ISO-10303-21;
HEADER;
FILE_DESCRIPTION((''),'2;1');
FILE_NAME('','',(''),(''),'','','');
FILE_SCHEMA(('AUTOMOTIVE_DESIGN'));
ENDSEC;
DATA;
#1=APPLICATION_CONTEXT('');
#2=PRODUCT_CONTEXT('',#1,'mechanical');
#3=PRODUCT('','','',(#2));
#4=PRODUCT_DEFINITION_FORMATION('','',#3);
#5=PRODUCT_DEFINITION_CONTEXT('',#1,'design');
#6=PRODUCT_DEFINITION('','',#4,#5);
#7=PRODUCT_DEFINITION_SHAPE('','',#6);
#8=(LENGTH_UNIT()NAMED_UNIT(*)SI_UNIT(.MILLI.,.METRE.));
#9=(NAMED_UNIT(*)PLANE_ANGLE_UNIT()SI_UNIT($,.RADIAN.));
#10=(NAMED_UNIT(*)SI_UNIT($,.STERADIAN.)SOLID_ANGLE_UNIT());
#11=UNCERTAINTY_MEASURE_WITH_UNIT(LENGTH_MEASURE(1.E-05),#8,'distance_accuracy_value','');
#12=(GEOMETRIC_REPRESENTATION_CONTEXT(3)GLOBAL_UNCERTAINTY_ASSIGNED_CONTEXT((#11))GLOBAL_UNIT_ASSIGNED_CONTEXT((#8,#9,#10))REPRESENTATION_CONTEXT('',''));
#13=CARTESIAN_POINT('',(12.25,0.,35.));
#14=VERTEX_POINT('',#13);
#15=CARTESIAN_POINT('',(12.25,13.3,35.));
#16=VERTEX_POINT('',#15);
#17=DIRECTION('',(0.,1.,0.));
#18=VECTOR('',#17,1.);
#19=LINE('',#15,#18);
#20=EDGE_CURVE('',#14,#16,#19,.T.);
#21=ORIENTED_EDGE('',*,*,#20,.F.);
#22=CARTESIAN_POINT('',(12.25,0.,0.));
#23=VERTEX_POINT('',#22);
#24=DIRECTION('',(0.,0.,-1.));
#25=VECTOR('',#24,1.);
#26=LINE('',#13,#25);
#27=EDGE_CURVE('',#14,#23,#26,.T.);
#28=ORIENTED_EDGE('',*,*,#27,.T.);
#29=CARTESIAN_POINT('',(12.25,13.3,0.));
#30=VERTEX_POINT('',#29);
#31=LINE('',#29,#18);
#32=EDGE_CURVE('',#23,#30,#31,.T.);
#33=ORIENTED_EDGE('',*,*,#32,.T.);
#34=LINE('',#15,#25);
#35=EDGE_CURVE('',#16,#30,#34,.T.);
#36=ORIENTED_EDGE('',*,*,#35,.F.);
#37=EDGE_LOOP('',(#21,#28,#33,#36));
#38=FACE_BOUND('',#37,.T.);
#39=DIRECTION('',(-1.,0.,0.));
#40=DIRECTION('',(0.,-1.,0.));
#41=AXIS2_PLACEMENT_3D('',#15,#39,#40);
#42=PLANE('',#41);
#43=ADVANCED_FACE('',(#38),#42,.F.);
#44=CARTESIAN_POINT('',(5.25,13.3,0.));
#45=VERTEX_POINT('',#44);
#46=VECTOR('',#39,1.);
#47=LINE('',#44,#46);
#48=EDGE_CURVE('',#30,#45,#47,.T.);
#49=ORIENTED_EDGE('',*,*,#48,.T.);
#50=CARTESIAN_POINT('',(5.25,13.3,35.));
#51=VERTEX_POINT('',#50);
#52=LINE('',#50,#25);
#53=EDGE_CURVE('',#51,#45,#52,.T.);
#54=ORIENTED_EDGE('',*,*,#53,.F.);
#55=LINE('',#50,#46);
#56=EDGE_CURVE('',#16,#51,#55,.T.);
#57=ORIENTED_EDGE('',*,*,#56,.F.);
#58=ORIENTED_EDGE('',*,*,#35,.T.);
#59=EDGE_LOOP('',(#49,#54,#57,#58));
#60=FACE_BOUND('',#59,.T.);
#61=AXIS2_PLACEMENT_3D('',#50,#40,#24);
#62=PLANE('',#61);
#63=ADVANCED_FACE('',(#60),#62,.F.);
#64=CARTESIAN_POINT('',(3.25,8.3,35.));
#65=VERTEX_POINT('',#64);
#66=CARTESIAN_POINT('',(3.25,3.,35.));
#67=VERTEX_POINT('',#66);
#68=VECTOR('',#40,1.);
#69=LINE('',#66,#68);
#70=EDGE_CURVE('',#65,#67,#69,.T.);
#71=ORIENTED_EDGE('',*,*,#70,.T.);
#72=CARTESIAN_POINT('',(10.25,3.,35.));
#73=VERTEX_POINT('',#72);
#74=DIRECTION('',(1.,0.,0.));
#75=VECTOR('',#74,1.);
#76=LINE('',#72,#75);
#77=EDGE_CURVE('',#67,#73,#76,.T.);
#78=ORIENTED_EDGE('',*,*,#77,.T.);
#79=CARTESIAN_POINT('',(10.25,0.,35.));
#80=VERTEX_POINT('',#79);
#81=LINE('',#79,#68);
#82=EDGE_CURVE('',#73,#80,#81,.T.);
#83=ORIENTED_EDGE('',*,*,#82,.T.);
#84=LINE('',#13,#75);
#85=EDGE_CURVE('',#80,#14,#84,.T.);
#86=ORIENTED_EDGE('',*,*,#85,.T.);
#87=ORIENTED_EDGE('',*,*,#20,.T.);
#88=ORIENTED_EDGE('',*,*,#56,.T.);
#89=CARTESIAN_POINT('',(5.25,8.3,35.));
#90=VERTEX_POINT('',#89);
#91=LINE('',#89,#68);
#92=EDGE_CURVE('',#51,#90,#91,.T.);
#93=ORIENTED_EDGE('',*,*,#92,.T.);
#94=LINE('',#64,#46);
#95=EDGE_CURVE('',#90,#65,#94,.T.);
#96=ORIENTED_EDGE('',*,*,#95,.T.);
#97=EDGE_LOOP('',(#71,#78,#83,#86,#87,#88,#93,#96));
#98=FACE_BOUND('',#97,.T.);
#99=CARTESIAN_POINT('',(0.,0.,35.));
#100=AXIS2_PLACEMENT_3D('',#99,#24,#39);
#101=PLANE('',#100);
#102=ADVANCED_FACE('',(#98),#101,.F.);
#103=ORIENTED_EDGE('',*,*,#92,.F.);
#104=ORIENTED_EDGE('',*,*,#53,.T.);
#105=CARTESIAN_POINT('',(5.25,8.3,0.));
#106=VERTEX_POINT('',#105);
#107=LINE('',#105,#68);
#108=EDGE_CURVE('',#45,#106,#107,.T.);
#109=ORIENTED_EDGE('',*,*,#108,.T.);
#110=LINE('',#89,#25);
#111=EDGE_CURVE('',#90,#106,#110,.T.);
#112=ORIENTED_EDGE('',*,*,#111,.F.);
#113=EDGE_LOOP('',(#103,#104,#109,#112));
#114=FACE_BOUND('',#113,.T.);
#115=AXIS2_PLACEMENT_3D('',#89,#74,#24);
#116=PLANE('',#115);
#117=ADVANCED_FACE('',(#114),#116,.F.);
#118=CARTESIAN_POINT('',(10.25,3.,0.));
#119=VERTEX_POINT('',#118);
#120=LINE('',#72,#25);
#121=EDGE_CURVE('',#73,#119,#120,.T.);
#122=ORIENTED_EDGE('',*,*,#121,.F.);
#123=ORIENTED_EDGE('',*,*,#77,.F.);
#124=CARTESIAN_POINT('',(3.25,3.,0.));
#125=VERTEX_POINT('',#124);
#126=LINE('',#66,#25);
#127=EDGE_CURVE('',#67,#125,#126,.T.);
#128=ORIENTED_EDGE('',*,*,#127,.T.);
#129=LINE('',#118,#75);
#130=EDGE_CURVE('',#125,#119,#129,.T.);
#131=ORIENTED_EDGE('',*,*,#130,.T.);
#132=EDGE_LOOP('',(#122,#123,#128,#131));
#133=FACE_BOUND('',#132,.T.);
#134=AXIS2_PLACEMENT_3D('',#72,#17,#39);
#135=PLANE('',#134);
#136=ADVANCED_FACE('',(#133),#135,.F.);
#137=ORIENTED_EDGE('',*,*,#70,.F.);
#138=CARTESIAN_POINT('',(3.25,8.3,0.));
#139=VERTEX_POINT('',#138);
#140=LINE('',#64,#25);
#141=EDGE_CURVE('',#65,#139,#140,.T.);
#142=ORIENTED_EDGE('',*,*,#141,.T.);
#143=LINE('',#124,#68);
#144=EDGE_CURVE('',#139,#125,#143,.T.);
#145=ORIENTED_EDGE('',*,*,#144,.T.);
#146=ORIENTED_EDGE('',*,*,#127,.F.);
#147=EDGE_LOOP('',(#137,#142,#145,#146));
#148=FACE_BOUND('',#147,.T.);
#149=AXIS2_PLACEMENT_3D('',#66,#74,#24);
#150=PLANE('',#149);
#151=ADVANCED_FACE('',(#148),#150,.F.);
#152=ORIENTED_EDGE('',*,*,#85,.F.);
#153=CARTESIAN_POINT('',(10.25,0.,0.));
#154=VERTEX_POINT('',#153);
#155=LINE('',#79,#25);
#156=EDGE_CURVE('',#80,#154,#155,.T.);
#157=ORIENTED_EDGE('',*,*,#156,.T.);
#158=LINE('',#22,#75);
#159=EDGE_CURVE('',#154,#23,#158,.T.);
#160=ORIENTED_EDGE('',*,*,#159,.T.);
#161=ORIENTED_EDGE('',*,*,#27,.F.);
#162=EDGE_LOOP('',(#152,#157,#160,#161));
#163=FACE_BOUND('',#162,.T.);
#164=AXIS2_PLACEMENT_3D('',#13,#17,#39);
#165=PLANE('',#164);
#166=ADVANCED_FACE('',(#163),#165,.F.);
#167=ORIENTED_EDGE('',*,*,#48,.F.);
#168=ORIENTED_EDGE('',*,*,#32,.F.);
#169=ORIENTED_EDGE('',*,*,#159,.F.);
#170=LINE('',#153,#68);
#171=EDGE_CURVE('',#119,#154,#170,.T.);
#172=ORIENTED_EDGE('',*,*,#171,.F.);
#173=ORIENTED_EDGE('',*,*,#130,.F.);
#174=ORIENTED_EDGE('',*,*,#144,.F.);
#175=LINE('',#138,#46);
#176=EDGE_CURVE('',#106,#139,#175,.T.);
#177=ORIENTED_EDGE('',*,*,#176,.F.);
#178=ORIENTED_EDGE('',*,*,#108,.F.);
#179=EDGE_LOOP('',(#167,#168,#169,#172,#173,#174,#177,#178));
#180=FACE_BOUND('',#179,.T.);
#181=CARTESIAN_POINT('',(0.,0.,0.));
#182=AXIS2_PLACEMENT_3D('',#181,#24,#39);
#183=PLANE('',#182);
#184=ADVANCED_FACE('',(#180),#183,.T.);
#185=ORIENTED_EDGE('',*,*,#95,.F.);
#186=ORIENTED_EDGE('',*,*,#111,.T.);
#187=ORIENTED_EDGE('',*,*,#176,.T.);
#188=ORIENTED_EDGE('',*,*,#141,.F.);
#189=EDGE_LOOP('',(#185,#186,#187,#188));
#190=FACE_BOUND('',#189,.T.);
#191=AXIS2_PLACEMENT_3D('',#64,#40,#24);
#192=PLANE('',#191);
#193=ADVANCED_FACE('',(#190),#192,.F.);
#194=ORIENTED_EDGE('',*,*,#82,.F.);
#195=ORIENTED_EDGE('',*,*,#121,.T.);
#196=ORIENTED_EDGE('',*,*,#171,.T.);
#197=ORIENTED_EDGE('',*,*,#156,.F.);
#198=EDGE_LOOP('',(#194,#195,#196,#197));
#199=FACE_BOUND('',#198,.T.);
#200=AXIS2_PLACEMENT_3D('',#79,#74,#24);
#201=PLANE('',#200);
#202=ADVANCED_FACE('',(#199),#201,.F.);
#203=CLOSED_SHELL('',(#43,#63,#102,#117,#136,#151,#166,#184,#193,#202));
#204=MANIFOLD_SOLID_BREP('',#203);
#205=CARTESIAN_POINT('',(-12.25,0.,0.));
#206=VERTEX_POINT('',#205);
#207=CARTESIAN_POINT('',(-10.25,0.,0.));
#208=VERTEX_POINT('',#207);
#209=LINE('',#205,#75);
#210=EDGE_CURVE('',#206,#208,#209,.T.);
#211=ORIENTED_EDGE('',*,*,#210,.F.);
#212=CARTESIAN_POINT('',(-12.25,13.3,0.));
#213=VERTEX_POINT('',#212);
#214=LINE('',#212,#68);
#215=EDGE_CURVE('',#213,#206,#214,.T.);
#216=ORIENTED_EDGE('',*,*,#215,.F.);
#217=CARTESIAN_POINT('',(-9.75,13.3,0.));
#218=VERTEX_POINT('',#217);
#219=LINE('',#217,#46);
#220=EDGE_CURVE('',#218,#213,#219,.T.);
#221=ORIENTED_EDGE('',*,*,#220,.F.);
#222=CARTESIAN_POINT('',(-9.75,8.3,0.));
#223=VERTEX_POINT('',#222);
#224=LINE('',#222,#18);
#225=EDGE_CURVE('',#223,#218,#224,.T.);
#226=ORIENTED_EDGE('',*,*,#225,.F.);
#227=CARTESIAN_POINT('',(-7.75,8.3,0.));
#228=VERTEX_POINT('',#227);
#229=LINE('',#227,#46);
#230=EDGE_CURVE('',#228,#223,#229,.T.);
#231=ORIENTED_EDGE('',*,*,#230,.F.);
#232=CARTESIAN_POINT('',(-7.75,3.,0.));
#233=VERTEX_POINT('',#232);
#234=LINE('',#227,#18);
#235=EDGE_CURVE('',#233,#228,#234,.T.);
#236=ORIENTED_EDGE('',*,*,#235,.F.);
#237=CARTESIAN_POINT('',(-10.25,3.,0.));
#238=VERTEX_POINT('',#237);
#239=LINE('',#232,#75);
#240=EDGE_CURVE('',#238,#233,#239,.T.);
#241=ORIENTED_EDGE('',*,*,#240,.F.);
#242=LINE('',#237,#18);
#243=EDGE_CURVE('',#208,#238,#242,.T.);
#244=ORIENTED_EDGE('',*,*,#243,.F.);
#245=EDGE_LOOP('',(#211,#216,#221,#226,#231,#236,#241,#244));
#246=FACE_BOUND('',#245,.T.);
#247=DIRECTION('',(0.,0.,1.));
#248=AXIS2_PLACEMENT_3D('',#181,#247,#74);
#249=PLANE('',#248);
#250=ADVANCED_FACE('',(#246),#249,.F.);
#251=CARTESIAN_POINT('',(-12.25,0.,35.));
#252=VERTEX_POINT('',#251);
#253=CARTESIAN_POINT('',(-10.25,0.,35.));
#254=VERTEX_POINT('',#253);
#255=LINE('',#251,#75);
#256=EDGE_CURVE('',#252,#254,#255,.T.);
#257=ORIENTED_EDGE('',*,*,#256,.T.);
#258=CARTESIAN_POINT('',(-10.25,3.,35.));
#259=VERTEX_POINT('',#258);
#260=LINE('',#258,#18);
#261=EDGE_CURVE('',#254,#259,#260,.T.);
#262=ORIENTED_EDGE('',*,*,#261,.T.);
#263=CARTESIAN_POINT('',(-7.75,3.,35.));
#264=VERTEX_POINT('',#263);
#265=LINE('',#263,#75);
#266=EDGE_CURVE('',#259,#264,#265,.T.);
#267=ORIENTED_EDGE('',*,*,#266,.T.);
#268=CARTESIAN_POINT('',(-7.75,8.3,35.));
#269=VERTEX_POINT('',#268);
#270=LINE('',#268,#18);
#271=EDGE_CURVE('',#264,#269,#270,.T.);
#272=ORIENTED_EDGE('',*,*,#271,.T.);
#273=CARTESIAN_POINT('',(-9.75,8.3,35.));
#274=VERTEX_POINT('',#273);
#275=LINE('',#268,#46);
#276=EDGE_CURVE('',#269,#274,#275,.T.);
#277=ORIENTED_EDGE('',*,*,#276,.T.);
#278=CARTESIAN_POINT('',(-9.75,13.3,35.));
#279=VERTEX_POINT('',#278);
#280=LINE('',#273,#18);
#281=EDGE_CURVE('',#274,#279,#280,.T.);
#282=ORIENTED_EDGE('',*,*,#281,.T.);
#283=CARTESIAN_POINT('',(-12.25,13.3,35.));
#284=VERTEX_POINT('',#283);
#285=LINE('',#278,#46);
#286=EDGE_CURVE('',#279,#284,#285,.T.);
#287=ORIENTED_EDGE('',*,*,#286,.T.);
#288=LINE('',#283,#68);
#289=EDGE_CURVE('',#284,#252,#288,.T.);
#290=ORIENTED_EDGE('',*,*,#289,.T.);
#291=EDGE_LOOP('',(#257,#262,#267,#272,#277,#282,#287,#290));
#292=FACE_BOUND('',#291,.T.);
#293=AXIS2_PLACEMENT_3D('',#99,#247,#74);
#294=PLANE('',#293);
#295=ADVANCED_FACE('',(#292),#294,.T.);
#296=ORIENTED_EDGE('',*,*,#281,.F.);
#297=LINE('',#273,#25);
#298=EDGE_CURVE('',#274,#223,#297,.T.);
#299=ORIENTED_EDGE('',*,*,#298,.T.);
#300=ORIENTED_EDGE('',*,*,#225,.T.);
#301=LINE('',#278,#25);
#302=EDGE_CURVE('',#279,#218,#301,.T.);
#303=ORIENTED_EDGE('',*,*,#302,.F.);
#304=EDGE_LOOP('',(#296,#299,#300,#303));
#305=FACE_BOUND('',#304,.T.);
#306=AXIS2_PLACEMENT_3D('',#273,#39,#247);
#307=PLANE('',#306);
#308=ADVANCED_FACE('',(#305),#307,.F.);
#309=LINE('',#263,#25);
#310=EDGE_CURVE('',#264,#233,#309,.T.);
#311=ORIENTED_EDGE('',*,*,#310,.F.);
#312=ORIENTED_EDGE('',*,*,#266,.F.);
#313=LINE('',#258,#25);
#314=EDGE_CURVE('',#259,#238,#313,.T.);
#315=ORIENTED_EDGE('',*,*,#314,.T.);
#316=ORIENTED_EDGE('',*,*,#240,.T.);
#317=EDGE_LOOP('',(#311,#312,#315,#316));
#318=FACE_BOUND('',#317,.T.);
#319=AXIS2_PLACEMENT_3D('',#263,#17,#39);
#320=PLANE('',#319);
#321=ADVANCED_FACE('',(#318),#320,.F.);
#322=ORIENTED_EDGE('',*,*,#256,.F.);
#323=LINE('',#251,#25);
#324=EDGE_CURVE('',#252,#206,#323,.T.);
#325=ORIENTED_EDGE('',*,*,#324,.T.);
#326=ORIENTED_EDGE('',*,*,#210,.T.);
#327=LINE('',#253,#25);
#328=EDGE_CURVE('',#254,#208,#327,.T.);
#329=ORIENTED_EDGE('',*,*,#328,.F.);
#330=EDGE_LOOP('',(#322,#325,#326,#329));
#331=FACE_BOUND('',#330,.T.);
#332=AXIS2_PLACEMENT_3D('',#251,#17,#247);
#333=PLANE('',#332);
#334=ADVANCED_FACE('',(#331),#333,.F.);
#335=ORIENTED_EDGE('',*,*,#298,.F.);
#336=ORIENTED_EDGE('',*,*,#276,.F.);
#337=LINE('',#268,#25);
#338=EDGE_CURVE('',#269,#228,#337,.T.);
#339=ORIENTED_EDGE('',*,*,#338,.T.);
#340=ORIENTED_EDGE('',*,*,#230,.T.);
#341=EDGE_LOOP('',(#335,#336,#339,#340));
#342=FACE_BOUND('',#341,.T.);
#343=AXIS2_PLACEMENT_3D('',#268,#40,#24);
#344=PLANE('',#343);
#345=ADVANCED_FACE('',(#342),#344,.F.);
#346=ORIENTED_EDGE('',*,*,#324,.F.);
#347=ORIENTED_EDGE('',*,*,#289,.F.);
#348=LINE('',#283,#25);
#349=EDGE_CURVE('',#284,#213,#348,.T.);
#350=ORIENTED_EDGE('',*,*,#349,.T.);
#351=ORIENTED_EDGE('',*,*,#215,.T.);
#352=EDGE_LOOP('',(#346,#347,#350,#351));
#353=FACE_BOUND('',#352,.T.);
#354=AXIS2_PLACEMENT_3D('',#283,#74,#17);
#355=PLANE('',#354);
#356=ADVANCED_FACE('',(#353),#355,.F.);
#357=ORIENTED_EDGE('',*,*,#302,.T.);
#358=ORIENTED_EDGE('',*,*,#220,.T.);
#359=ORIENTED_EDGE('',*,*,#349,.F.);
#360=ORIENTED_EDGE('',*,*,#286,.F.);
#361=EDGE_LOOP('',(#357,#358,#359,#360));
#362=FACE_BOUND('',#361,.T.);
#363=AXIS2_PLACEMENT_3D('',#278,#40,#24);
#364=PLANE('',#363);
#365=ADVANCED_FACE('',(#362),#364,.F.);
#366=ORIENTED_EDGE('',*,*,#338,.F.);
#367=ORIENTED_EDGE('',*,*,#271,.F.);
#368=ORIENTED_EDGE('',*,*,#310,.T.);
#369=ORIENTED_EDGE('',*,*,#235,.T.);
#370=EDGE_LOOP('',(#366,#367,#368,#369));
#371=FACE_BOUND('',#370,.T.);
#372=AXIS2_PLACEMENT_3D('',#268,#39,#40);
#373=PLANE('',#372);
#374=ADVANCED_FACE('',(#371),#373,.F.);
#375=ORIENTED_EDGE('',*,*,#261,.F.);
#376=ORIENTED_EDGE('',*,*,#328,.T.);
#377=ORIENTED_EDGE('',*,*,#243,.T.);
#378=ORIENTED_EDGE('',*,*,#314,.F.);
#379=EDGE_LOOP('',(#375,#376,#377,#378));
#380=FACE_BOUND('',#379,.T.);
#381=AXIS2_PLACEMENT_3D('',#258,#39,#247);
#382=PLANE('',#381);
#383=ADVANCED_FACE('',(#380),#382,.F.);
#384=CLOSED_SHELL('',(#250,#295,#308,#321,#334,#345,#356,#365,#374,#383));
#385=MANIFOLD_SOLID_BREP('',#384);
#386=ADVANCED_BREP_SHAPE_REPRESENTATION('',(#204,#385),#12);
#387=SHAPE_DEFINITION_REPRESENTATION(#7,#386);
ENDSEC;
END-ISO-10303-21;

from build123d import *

# Parameters (mm, degrees)
BOSS_EXTRUDE3_DEPTH   = 35
BOSS_EXTRUDE3_2_DEPTH = 35


with BuildPart() as part:
    # Sketch2 → Boss-Extrude3 (new body)
    with BuildSketch(Plane.XY):
        Polygon((10.25, 0), (10.25, 3), (3.25, 3), (3.25, 8.3), (5.25, 8.3), (5.25, 13.3), (12.25, 13.3), (12.25, 0), align=None)
    extrude(amount=BOSS_EXTRUDE3_DEPTH)


with BuildPart() as body_2:
    # Sketch2 → Boss-Extrude3 2 (new body)
    with BuildSketch(Plane.XY):
        Polygon((-7.75, 8.3), (-7.75, 3), (-10.25, 3), (-10.25, 0), (-12.25, 0), (-12.25, 13.3), (-9.75, 13.3), (-9.75, 8.3), align=None)
    extrude(amount=BOSS_EXTRUDE3_2_DEPTH)


solid = Compound([part.part, body_2.part])
